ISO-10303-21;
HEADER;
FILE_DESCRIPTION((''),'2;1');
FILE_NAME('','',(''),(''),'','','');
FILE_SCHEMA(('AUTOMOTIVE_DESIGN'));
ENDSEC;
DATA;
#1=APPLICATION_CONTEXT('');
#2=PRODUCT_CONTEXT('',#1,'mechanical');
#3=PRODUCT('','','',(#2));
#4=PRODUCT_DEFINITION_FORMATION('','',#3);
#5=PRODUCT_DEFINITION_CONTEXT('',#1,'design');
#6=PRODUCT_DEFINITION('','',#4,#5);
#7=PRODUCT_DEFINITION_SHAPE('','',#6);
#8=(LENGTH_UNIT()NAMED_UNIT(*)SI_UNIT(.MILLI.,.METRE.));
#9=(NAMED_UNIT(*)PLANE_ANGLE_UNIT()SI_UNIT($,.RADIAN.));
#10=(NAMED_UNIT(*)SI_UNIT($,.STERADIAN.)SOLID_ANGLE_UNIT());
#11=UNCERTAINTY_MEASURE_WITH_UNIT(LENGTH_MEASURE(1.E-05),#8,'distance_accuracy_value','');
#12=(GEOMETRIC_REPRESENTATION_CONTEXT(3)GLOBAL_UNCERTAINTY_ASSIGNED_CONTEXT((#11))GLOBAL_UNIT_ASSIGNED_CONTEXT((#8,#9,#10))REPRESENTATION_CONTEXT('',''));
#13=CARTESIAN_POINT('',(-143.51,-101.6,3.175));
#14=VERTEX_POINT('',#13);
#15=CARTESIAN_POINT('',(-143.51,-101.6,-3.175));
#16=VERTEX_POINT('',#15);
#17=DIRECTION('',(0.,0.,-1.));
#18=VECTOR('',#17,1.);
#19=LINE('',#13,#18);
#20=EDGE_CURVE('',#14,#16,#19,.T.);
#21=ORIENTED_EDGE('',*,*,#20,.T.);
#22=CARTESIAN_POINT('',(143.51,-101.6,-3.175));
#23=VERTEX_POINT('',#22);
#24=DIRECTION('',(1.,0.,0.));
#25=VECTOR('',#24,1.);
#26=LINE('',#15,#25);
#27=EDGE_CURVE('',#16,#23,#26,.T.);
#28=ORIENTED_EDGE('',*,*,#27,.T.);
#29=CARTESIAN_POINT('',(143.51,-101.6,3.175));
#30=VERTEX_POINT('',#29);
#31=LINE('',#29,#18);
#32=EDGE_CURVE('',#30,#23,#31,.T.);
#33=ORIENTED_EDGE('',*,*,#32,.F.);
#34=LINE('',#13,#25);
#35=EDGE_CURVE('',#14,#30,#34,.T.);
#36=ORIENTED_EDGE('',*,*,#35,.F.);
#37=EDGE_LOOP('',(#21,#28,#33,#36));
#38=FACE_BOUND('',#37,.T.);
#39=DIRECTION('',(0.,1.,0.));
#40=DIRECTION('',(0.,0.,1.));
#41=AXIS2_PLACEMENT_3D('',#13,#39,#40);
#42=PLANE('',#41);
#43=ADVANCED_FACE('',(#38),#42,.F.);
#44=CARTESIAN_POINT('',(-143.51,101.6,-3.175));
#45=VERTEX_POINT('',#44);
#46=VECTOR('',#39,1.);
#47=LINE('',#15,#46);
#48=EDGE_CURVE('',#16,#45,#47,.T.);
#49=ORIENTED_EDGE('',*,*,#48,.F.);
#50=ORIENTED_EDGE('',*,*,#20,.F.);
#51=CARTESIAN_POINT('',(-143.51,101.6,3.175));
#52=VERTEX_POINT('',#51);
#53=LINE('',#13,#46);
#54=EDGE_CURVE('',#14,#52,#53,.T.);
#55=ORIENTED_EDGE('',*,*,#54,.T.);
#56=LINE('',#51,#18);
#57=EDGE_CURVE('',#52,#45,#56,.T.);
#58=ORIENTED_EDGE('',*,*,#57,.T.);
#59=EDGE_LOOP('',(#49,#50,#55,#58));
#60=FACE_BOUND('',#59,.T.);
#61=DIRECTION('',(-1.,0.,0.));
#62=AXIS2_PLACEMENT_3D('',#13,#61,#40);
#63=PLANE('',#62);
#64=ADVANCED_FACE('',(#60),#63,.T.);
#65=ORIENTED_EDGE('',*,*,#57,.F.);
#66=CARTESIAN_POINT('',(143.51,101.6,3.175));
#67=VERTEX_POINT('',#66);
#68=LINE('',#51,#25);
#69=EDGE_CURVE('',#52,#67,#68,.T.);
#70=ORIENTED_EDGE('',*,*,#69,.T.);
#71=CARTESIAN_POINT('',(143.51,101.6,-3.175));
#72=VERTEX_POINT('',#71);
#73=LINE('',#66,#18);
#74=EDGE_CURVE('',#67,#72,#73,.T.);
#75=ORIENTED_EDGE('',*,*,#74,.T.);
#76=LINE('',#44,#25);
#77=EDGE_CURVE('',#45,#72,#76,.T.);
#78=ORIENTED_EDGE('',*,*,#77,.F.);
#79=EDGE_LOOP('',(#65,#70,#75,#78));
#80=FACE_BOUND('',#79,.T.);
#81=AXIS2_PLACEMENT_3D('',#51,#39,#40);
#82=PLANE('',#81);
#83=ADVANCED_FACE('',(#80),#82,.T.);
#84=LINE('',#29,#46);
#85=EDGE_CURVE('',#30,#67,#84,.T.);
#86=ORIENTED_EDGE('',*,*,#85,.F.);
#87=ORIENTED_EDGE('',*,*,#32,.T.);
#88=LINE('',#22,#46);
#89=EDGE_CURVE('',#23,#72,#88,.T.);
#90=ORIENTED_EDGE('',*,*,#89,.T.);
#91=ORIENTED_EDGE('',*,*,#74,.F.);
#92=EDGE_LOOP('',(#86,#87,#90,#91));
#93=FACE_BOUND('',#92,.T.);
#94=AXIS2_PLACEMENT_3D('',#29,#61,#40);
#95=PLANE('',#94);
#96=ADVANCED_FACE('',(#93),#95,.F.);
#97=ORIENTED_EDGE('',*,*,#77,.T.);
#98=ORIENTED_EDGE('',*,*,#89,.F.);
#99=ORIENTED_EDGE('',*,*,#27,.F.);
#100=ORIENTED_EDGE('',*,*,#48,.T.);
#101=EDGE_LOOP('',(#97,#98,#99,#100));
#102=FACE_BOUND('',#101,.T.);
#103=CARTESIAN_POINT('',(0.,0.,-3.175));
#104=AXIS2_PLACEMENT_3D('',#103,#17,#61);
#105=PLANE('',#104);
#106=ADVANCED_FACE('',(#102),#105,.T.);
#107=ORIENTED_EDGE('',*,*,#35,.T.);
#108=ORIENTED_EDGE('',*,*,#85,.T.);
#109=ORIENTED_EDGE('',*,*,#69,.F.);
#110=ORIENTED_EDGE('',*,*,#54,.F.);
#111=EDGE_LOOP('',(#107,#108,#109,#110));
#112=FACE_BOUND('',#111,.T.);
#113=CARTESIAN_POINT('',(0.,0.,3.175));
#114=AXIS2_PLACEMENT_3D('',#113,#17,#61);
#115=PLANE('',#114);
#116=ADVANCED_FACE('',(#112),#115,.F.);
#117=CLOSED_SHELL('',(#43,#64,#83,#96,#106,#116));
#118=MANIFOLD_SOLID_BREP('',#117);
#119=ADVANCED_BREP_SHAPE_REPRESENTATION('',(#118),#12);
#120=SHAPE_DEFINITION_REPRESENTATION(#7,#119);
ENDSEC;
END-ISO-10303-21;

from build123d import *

# Parameters (mm, degrees)
SKETCH1_W           = 287.02
SKETCH1_H           = 203.2
BOSS_EXTRUDE1_DEPTH = 3.175


with BuildPart() as part:
    # Sketch1 → Boss-Extrude1 (new, symmetric)
    with BuildSketch(Plane.XY):
        Rectangle(SKETCH1_W, SKETCH1_H)
    extrude(amount=BOSS_EXTRUDE1_DEPTH, both=True)


solid = part.part
